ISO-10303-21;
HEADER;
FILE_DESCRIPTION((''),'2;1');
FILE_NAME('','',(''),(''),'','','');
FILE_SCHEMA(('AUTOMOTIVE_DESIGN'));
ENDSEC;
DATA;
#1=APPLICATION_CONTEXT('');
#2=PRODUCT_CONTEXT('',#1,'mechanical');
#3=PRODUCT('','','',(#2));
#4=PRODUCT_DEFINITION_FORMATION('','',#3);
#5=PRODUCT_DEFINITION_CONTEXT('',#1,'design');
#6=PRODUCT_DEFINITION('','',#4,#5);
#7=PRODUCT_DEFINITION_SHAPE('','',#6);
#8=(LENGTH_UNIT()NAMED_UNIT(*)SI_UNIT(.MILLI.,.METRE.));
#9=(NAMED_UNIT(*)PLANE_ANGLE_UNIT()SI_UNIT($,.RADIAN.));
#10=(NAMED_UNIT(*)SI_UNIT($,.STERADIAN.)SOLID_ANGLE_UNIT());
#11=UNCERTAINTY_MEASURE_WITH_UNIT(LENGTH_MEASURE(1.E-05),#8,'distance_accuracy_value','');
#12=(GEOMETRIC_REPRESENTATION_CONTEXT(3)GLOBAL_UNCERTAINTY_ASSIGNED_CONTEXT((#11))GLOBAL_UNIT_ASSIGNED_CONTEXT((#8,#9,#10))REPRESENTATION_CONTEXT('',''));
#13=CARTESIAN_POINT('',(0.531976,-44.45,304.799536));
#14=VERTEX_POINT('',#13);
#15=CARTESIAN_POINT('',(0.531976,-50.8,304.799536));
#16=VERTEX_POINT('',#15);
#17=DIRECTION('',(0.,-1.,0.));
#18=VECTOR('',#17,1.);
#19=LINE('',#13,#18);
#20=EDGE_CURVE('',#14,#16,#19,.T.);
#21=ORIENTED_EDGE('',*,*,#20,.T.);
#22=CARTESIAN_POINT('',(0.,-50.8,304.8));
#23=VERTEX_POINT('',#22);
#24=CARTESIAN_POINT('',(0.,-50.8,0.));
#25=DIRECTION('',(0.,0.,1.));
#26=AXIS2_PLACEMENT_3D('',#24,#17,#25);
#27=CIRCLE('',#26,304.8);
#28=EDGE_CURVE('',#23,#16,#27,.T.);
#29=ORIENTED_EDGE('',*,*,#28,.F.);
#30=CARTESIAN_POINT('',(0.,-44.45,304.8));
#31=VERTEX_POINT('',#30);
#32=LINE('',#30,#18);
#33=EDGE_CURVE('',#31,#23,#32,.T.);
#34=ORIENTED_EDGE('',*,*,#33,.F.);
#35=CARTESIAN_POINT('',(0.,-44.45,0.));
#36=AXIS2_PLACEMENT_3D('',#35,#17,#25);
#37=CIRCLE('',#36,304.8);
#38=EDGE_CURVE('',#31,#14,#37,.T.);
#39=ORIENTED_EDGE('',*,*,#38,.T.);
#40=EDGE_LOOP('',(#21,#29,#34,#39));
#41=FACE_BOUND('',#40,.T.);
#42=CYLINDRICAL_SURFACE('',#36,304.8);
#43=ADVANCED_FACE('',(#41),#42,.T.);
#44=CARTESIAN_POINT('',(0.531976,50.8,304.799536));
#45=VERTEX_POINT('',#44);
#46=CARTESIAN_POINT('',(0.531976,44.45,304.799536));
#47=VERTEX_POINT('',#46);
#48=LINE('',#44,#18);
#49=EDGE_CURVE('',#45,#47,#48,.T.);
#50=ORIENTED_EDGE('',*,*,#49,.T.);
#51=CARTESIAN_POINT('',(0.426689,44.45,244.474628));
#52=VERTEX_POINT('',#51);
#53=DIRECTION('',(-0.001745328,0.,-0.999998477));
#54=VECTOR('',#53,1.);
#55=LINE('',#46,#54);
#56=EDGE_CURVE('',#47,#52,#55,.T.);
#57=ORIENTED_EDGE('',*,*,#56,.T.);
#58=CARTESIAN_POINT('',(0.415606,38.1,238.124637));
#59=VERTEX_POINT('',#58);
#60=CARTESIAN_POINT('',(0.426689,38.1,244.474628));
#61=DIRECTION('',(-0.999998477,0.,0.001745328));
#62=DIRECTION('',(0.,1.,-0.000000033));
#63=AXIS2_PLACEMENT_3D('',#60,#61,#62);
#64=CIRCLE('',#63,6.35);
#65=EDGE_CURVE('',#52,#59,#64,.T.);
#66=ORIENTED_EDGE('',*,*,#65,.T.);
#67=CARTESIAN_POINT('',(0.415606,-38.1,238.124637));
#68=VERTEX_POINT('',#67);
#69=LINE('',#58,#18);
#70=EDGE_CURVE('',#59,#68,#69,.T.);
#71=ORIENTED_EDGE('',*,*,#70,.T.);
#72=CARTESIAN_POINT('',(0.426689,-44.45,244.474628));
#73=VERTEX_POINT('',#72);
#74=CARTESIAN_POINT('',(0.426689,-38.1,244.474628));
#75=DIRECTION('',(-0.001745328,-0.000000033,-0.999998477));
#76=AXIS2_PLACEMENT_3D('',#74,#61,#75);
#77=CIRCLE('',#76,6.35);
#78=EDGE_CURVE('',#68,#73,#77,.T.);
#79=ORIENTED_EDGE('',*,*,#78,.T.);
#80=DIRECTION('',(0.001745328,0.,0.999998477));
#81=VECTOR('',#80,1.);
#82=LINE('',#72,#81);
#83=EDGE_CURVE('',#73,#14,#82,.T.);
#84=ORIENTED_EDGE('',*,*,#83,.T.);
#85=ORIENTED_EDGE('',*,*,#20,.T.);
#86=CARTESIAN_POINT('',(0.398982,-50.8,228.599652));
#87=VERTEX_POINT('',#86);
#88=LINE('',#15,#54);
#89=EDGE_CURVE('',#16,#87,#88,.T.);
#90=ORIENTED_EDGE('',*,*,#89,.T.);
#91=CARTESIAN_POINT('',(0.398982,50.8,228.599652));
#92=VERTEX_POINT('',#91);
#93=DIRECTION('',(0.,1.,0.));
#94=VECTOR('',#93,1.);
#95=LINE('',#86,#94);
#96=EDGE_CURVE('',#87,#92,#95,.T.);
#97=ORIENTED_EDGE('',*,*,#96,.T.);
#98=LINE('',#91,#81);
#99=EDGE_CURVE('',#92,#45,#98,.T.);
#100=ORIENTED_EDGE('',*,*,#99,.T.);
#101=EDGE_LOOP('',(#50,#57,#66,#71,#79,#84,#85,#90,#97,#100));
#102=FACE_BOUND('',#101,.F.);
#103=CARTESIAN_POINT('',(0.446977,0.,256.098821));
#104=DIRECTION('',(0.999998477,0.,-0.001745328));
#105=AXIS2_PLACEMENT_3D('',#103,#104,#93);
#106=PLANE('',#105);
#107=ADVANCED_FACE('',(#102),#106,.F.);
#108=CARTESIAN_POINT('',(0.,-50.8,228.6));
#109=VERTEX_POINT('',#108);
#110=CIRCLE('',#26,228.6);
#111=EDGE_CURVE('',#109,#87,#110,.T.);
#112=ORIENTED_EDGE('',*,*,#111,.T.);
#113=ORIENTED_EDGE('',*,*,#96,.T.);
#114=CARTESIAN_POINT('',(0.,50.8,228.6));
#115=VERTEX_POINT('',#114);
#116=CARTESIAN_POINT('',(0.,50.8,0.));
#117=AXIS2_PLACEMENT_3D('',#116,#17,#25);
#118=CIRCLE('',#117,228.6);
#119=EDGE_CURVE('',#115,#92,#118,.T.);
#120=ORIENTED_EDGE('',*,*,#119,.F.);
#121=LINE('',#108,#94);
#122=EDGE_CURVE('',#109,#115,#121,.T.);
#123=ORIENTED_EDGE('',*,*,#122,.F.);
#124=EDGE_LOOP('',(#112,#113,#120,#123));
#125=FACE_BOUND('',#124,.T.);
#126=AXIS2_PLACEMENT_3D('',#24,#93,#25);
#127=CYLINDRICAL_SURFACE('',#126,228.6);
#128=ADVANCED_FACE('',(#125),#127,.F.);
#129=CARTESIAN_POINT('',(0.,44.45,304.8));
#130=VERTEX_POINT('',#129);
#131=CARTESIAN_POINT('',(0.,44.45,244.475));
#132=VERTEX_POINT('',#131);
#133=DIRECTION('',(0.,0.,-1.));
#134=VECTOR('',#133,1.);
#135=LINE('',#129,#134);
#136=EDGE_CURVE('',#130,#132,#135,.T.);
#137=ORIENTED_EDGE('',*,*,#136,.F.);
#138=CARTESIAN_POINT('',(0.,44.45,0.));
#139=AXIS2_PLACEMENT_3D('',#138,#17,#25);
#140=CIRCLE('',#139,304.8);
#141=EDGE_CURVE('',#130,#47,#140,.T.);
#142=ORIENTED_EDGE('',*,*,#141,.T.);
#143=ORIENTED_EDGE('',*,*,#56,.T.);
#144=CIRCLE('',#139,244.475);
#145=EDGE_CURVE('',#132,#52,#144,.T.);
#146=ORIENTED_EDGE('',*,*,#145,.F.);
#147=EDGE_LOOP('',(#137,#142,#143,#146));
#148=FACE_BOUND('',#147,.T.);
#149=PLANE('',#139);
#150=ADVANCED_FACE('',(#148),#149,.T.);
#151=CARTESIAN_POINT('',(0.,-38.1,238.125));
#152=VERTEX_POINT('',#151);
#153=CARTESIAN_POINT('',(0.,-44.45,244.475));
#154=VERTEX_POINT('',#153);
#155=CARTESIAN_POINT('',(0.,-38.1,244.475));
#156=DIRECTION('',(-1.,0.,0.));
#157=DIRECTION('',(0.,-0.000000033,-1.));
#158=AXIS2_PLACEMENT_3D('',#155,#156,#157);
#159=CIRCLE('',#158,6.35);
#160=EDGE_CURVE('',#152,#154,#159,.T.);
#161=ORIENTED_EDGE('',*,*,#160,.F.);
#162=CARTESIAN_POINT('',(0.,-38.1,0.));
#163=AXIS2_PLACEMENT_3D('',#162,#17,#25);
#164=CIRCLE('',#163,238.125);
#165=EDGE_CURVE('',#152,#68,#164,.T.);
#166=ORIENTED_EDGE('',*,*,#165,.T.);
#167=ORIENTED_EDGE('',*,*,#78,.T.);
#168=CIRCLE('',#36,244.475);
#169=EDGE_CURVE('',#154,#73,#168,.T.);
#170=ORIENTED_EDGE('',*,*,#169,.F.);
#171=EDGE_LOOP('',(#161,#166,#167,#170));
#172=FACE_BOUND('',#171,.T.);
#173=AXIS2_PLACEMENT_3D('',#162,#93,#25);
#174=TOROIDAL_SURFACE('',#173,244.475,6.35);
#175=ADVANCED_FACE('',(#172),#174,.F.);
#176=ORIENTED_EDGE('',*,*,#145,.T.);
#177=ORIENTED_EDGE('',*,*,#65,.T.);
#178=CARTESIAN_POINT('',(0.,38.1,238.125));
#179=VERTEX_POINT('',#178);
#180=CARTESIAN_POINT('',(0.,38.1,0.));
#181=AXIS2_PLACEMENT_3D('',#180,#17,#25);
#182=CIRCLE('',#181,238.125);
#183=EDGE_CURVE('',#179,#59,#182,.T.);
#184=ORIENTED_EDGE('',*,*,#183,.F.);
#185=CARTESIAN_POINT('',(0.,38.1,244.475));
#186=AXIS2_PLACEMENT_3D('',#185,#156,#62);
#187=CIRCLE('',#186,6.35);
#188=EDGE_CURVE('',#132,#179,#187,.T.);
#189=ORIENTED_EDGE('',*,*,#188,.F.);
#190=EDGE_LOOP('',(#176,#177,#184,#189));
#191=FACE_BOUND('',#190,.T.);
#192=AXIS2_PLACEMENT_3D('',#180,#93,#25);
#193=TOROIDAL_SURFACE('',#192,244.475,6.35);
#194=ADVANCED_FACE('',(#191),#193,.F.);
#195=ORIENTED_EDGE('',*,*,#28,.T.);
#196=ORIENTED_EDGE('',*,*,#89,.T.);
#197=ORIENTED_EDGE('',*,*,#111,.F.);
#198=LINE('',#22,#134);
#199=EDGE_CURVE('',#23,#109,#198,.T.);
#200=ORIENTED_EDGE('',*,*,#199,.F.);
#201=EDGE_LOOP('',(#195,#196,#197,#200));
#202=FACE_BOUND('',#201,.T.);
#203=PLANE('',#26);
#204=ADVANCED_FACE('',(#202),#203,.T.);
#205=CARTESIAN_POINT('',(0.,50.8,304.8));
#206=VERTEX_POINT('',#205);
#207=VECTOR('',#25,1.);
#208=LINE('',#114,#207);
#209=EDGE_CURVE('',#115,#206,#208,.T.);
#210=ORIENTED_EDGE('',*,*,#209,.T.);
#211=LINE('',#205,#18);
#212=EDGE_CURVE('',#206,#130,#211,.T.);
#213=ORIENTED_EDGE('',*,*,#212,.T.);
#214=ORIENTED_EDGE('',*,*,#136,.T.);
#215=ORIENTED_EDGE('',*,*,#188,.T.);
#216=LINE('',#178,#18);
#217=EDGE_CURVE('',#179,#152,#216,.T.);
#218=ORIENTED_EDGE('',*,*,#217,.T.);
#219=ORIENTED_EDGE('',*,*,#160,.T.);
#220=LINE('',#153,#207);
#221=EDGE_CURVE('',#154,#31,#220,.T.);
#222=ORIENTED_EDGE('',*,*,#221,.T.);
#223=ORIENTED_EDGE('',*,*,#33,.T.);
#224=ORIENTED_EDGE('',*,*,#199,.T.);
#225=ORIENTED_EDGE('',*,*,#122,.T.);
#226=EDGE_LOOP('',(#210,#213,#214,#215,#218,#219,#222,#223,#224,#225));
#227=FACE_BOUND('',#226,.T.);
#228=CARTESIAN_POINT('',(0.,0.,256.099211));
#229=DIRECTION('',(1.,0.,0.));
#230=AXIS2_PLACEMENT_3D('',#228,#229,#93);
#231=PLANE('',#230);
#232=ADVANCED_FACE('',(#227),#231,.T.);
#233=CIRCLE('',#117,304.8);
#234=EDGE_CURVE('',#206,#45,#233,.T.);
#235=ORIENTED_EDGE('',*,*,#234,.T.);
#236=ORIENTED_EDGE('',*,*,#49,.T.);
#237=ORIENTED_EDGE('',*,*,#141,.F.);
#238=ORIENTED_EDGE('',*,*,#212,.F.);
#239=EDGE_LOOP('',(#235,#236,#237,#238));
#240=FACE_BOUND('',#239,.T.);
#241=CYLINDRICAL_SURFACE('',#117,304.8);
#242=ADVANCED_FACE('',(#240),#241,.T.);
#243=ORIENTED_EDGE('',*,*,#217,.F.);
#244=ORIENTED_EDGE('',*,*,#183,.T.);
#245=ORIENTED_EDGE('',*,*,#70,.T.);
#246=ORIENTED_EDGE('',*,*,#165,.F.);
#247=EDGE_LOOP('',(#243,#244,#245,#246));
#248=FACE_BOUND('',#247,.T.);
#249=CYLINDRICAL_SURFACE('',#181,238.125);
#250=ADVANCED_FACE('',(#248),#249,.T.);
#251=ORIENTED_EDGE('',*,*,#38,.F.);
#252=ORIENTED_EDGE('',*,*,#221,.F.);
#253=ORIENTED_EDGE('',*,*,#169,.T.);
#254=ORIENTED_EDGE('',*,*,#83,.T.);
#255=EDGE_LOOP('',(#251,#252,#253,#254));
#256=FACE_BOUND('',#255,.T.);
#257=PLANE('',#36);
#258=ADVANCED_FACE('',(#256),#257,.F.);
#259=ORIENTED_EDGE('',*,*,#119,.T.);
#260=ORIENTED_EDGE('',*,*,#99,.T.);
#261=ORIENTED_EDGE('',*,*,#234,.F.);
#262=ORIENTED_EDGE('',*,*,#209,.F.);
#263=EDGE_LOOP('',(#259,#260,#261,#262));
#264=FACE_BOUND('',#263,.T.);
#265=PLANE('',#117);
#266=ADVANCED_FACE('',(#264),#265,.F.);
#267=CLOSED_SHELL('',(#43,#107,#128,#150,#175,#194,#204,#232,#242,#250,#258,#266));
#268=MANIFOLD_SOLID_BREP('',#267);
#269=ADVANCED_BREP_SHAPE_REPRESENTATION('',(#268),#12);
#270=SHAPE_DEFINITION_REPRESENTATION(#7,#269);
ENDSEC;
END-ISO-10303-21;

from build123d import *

# Parameters (mm, degrees)
F1_ANGLE = 359.9


with BuildPart() as f1:
    # F0 (on Right) → F1 (revolve)
    with BuildSketch(Plane.YZ):
        with BuildLine():
            Line((-50.8, 228.6), (50.8, 228.6))
            Line((50.8, 228.6), (50.8, 304.8))
            Line((50.8, 304.8), (44.45, 304.8))
            Line((44.45, 304.8), (44.45, 244.475))
            ThreePointArc((44.45, 244.475), (42.590128, 239.984872), (38.1, 238.125))
            Line((38.1, 238.125), (-38.1, 238.125))
            ThreePointArc((-38.1, 238.125), (-42.590128, 239.984872), (-44.45, 244.475))
            Line((-44.45, 244.475), (-44.45, 304.8))
            Line((-44.45, 304.8), (-50.8, 304.8))
            Line((-50.8, 304.8), (-50.8, 228.6))
        make_face()
    revolve(axis=Axis((0, -216.112137, 0), (0, -1, 0)), revolution_arc=F1_ANGLE)


solid = f1.part
